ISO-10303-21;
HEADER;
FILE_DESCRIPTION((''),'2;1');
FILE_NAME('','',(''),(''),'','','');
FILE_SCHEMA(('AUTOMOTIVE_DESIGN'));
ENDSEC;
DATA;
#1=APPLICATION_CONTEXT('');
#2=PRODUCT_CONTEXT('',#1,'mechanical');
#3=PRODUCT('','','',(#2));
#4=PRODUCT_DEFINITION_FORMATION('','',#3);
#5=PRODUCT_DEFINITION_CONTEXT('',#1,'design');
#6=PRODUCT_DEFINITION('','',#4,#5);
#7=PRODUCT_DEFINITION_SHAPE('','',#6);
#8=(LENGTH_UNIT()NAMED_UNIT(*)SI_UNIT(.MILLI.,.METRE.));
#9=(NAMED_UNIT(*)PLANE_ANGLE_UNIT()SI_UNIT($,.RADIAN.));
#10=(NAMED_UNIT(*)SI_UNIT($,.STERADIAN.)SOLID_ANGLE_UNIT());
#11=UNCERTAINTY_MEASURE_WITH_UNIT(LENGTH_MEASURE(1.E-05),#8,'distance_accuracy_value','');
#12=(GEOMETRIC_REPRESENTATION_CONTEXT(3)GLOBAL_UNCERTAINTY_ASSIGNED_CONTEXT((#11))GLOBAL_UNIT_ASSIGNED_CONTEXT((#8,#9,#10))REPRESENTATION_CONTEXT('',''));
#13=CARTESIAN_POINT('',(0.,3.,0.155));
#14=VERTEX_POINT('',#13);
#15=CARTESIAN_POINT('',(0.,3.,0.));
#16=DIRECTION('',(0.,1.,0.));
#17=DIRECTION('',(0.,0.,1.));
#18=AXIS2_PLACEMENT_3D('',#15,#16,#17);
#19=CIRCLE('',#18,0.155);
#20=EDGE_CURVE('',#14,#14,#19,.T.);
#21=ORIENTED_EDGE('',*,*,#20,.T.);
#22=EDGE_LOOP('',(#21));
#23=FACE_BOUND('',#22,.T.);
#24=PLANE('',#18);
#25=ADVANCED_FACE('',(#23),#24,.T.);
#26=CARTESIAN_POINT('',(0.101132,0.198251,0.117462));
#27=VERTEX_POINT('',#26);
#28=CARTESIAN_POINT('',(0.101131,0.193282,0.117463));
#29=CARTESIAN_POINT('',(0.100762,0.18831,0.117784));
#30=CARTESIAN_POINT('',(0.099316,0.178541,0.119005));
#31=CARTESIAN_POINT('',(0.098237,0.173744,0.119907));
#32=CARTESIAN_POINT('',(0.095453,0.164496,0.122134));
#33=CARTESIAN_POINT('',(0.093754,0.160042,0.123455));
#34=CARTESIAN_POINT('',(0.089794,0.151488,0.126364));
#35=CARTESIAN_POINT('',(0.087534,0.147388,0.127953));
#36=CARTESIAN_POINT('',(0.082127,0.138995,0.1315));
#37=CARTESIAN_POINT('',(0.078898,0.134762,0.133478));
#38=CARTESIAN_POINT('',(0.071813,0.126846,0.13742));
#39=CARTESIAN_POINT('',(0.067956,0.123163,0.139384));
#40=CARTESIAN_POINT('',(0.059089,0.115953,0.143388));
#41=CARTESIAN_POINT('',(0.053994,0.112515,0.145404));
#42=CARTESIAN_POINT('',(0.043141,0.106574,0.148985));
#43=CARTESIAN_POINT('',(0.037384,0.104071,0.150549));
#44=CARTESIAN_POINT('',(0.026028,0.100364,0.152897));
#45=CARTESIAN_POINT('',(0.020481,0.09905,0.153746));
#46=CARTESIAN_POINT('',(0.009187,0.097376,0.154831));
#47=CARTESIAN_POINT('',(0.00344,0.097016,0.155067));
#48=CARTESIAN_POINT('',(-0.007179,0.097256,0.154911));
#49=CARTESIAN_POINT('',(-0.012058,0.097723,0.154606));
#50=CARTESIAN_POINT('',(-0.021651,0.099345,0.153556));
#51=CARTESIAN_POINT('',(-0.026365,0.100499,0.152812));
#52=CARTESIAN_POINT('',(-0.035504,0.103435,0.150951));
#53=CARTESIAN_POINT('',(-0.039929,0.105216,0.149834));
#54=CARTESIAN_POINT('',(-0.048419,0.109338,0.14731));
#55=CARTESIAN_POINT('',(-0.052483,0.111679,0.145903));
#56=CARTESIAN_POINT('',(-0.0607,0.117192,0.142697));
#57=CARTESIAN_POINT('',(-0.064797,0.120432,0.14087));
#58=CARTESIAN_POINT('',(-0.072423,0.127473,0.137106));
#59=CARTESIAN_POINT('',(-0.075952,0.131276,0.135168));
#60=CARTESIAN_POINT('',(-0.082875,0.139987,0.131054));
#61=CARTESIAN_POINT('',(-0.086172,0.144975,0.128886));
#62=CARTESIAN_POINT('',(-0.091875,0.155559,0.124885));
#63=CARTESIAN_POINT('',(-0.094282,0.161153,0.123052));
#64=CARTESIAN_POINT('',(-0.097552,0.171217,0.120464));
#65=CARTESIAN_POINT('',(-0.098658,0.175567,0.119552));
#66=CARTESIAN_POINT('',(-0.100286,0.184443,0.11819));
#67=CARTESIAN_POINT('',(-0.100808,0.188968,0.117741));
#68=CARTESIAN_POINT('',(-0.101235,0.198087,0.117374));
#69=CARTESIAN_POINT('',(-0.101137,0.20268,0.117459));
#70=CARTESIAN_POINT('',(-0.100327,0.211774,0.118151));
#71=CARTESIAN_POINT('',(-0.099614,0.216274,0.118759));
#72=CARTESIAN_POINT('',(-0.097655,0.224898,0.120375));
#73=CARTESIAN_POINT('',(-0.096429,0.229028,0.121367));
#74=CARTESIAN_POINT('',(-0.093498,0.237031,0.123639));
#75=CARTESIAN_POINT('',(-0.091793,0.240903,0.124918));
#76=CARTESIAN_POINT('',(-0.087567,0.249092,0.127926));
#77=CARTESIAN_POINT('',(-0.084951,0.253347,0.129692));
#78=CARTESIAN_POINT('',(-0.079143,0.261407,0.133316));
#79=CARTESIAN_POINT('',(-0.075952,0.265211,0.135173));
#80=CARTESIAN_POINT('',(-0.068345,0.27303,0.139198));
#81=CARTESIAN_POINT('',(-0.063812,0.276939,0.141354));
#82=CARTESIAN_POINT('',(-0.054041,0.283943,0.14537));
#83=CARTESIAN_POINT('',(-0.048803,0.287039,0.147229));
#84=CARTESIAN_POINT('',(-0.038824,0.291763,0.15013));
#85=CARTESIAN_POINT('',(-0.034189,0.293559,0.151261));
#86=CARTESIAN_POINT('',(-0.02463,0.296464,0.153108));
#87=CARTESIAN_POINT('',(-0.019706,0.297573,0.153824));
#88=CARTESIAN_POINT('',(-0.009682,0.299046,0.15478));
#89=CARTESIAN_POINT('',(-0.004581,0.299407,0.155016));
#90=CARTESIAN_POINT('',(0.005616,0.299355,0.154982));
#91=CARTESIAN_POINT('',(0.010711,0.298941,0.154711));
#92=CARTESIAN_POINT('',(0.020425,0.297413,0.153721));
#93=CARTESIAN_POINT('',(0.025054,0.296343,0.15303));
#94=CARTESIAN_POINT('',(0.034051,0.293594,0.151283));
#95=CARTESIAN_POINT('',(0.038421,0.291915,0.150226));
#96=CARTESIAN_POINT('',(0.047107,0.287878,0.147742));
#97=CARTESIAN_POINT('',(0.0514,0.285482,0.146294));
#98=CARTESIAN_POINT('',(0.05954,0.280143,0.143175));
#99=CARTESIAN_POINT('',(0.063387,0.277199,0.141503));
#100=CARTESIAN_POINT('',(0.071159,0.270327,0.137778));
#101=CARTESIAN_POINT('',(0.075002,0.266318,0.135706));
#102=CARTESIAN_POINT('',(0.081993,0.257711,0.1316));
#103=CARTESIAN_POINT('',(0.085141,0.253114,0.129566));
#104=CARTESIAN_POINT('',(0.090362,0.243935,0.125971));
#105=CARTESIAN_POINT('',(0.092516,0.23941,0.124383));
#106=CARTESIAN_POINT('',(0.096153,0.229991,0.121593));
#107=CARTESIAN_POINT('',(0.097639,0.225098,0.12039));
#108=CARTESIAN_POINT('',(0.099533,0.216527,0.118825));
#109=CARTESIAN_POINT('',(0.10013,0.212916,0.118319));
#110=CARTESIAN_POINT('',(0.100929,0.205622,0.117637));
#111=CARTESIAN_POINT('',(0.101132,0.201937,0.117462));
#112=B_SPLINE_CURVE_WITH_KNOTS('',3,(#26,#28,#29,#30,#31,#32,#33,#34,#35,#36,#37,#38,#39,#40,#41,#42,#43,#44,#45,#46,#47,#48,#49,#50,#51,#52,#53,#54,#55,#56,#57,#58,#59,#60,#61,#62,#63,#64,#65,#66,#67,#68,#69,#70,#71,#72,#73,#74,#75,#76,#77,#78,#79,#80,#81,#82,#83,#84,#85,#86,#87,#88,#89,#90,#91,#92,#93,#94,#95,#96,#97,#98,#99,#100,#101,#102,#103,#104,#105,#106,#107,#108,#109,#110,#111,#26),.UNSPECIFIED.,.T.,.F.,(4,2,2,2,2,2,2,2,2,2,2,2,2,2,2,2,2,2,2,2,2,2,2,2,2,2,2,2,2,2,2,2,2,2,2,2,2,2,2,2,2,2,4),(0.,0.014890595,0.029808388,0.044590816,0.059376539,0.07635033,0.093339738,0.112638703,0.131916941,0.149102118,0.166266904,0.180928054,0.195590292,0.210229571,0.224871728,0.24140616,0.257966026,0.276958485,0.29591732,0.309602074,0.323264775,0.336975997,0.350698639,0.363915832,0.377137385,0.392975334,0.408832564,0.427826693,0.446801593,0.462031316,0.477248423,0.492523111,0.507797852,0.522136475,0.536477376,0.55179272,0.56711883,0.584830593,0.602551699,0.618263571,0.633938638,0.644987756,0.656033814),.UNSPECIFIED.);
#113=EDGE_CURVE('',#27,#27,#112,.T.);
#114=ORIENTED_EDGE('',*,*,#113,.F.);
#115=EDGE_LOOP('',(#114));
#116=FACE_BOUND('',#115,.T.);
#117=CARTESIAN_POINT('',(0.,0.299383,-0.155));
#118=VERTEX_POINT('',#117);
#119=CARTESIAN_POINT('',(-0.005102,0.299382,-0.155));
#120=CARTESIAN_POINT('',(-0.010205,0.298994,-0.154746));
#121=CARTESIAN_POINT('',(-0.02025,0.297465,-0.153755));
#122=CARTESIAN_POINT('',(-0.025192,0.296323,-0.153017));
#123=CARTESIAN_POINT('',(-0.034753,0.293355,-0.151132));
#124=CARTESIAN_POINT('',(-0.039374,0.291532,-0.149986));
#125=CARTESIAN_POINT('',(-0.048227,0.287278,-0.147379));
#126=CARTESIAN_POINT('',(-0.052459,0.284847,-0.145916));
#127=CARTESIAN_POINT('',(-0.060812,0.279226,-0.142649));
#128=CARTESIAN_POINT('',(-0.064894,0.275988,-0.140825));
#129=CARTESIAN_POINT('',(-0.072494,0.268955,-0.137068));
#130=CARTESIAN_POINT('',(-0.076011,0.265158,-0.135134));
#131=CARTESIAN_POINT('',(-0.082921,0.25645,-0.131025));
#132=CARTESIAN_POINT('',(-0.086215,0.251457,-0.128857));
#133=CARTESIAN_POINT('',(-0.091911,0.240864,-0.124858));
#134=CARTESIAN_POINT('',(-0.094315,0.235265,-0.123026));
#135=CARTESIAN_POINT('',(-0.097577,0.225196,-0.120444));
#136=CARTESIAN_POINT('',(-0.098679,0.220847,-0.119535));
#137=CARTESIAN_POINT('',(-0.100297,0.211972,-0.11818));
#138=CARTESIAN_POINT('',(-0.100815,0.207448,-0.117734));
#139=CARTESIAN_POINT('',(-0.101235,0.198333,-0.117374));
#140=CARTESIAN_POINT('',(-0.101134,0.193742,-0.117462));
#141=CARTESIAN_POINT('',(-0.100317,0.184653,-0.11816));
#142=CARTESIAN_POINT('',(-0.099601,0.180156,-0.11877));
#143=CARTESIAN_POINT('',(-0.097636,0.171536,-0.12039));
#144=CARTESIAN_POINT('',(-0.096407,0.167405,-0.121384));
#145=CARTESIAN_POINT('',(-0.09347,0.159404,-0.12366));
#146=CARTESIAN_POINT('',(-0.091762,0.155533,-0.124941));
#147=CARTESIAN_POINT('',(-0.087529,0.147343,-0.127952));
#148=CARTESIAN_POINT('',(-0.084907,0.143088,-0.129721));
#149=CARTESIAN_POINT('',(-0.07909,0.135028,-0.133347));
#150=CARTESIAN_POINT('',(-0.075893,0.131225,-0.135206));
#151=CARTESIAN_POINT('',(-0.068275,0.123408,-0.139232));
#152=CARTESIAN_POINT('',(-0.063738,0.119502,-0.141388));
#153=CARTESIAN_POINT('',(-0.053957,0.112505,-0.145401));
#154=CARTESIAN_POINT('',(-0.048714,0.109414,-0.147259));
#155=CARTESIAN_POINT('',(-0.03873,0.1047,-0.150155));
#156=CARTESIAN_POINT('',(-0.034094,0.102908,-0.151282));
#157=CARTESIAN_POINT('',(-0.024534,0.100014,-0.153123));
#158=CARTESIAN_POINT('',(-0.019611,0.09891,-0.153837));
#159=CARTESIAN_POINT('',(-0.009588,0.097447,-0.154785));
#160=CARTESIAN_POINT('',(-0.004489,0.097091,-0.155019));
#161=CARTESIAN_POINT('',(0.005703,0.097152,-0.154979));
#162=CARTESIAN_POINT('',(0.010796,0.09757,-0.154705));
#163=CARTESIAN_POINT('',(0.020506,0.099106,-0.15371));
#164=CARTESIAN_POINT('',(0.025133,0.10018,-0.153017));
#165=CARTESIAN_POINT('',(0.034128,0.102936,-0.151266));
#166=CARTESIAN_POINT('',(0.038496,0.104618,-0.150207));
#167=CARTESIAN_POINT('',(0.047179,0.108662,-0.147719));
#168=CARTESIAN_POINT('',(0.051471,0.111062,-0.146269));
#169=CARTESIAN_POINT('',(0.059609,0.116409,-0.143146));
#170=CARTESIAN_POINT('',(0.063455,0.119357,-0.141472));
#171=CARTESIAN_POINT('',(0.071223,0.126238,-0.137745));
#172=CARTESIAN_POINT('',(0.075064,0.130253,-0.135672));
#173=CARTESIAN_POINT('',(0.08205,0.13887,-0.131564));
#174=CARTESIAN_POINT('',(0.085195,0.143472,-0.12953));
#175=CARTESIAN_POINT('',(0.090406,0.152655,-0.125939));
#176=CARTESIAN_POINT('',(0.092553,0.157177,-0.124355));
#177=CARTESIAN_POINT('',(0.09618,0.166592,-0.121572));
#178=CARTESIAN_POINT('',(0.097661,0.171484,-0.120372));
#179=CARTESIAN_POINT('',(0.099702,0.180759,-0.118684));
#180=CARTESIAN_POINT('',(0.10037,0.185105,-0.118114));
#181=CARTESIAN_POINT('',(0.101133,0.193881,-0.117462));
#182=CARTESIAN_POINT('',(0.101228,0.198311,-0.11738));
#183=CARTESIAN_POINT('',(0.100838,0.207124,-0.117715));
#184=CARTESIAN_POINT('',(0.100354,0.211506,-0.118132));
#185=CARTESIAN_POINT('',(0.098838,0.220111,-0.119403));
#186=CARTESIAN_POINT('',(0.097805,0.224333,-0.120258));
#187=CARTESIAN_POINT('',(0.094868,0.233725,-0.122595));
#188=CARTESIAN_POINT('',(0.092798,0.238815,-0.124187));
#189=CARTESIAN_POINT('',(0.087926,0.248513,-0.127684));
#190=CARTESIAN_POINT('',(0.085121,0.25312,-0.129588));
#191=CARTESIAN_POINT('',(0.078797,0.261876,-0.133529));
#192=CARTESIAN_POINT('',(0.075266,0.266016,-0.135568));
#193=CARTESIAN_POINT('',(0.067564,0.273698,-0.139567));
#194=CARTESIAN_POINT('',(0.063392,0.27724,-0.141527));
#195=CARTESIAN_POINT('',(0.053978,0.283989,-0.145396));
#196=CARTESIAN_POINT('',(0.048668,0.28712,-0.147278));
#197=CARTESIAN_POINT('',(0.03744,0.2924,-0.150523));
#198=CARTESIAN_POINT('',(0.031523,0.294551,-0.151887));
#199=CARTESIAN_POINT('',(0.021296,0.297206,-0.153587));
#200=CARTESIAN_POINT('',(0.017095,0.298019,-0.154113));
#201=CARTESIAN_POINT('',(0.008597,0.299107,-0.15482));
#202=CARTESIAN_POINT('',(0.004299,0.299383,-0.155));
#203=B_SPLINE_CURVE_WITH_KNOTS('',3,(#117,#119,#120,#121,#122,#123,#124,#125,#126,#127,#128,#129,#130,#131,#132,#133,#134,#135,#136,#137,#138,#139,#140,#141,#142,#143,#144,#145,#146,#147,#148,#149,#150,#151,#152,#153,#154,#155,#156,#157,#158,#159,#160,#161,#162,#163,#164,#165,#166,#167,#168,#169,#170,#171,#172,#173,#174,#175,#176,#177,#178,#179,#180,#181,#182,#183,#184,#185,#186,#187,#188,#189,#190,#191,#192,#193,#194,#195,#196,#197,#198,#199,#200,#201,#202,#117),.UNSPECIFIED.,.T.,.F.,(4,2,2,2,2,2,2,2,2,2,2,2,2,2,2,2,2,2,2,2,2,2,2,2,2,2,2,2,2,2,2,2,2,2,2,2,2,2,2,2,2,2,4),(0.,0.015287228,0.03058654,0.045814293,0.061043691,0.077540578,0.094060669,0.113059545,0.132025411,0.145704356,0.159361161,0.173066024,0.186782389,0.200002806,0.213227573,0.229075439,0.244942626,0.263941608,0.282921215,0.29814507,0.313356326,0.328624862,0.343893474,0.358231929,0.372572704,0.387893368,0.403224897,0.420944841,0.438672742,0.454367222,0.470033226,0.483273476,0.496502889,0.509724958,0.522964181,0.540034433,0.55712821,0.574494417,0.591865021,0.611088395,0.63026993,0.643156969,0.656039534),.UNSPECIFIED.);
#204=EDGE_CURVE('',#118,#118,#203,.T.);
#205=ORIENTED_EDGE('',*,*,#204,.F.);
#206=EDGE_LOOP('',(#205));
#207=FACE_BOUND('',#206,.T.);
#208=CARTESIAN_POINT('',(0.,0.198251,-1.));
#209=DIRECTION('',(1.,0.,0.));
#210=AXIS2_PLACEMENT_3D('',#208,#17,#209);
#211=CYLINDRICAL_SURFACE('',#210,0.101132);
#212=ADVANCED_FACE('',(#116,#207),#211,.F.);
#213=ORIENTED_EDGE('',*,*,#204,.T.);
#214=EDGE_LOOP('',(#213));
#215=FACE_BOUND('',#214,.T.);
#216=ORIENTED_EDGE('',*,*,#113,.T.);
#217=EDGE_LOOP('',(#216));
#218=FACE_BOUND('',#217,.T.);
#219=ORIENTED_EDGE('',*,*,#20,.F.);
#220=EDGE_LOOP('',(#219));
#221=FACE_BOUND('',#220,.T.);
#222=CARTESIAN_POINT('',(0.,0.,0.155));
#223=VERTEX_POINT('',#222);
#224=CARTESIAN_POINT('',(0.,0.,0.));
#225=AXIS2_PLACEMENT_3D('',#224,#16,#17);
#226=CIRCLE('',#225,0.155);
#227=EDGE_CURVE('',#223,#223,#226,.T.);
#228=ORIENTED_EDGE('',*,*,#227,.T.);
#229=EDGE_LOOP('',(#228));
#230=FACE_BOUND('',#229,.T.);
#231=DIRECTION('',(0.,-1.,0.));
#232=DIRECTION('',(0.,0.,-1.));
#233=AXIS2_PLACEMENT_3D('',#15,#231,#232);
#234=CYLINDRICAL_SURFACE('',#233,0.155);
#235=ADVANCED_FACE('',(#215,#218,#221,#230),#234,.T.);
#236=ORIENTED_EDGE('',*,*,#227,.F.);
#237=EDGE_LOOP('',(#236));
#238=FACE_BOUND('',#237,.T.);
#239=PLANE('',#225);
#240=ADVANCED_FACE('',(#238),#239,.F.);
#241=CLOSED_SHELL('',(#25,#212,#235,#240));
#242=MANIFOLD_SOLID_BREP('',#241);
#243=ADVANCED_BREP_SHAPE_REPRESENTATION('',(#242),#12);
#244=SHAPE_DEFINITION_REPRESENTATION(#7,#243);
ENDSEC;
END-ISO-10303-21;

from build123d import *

# Parameters (mm, degrees)
SKETCH1_R               = 0.155
BOSS_EXTRUDE1_DEPTH     = 3
CUT_EXTRUDE1_DEPTH      = 1
CUT_EXTRUDE1_DEPTH_BACK = 1
SKETCH2_R               = 0.101131537


with BuildPart() as part:
    # Sketch1 → Boss-Extrude1 (new body)
    with BuildSketch(Plane(origin=(0, 0, 0), x_dir=(1, 0, 0), z_dir=(0, 1, 0))):
        Circle(SKETCH1_R)
    extrude(amount=BOSS_EXTRUDE1_DEPTH)

    # Sketch2 → Cut-Extrude1 (cut, two sides: drawn at the far end of the back side and taken through both)
    with BuildSketch(Plane.XY.offset(-CUT_EXTRUDE1_DEPTH_BACK)):
        with Locations((0, 0.198250965)):
            Circle(SKETCH2_R)
    extrude(amount=CUT_EXTRUDE1_DEPTH + CUT_EXTRUDE1_DEPTH_BACK, mode=Mode.SUBTRACT)


solid = part.part
